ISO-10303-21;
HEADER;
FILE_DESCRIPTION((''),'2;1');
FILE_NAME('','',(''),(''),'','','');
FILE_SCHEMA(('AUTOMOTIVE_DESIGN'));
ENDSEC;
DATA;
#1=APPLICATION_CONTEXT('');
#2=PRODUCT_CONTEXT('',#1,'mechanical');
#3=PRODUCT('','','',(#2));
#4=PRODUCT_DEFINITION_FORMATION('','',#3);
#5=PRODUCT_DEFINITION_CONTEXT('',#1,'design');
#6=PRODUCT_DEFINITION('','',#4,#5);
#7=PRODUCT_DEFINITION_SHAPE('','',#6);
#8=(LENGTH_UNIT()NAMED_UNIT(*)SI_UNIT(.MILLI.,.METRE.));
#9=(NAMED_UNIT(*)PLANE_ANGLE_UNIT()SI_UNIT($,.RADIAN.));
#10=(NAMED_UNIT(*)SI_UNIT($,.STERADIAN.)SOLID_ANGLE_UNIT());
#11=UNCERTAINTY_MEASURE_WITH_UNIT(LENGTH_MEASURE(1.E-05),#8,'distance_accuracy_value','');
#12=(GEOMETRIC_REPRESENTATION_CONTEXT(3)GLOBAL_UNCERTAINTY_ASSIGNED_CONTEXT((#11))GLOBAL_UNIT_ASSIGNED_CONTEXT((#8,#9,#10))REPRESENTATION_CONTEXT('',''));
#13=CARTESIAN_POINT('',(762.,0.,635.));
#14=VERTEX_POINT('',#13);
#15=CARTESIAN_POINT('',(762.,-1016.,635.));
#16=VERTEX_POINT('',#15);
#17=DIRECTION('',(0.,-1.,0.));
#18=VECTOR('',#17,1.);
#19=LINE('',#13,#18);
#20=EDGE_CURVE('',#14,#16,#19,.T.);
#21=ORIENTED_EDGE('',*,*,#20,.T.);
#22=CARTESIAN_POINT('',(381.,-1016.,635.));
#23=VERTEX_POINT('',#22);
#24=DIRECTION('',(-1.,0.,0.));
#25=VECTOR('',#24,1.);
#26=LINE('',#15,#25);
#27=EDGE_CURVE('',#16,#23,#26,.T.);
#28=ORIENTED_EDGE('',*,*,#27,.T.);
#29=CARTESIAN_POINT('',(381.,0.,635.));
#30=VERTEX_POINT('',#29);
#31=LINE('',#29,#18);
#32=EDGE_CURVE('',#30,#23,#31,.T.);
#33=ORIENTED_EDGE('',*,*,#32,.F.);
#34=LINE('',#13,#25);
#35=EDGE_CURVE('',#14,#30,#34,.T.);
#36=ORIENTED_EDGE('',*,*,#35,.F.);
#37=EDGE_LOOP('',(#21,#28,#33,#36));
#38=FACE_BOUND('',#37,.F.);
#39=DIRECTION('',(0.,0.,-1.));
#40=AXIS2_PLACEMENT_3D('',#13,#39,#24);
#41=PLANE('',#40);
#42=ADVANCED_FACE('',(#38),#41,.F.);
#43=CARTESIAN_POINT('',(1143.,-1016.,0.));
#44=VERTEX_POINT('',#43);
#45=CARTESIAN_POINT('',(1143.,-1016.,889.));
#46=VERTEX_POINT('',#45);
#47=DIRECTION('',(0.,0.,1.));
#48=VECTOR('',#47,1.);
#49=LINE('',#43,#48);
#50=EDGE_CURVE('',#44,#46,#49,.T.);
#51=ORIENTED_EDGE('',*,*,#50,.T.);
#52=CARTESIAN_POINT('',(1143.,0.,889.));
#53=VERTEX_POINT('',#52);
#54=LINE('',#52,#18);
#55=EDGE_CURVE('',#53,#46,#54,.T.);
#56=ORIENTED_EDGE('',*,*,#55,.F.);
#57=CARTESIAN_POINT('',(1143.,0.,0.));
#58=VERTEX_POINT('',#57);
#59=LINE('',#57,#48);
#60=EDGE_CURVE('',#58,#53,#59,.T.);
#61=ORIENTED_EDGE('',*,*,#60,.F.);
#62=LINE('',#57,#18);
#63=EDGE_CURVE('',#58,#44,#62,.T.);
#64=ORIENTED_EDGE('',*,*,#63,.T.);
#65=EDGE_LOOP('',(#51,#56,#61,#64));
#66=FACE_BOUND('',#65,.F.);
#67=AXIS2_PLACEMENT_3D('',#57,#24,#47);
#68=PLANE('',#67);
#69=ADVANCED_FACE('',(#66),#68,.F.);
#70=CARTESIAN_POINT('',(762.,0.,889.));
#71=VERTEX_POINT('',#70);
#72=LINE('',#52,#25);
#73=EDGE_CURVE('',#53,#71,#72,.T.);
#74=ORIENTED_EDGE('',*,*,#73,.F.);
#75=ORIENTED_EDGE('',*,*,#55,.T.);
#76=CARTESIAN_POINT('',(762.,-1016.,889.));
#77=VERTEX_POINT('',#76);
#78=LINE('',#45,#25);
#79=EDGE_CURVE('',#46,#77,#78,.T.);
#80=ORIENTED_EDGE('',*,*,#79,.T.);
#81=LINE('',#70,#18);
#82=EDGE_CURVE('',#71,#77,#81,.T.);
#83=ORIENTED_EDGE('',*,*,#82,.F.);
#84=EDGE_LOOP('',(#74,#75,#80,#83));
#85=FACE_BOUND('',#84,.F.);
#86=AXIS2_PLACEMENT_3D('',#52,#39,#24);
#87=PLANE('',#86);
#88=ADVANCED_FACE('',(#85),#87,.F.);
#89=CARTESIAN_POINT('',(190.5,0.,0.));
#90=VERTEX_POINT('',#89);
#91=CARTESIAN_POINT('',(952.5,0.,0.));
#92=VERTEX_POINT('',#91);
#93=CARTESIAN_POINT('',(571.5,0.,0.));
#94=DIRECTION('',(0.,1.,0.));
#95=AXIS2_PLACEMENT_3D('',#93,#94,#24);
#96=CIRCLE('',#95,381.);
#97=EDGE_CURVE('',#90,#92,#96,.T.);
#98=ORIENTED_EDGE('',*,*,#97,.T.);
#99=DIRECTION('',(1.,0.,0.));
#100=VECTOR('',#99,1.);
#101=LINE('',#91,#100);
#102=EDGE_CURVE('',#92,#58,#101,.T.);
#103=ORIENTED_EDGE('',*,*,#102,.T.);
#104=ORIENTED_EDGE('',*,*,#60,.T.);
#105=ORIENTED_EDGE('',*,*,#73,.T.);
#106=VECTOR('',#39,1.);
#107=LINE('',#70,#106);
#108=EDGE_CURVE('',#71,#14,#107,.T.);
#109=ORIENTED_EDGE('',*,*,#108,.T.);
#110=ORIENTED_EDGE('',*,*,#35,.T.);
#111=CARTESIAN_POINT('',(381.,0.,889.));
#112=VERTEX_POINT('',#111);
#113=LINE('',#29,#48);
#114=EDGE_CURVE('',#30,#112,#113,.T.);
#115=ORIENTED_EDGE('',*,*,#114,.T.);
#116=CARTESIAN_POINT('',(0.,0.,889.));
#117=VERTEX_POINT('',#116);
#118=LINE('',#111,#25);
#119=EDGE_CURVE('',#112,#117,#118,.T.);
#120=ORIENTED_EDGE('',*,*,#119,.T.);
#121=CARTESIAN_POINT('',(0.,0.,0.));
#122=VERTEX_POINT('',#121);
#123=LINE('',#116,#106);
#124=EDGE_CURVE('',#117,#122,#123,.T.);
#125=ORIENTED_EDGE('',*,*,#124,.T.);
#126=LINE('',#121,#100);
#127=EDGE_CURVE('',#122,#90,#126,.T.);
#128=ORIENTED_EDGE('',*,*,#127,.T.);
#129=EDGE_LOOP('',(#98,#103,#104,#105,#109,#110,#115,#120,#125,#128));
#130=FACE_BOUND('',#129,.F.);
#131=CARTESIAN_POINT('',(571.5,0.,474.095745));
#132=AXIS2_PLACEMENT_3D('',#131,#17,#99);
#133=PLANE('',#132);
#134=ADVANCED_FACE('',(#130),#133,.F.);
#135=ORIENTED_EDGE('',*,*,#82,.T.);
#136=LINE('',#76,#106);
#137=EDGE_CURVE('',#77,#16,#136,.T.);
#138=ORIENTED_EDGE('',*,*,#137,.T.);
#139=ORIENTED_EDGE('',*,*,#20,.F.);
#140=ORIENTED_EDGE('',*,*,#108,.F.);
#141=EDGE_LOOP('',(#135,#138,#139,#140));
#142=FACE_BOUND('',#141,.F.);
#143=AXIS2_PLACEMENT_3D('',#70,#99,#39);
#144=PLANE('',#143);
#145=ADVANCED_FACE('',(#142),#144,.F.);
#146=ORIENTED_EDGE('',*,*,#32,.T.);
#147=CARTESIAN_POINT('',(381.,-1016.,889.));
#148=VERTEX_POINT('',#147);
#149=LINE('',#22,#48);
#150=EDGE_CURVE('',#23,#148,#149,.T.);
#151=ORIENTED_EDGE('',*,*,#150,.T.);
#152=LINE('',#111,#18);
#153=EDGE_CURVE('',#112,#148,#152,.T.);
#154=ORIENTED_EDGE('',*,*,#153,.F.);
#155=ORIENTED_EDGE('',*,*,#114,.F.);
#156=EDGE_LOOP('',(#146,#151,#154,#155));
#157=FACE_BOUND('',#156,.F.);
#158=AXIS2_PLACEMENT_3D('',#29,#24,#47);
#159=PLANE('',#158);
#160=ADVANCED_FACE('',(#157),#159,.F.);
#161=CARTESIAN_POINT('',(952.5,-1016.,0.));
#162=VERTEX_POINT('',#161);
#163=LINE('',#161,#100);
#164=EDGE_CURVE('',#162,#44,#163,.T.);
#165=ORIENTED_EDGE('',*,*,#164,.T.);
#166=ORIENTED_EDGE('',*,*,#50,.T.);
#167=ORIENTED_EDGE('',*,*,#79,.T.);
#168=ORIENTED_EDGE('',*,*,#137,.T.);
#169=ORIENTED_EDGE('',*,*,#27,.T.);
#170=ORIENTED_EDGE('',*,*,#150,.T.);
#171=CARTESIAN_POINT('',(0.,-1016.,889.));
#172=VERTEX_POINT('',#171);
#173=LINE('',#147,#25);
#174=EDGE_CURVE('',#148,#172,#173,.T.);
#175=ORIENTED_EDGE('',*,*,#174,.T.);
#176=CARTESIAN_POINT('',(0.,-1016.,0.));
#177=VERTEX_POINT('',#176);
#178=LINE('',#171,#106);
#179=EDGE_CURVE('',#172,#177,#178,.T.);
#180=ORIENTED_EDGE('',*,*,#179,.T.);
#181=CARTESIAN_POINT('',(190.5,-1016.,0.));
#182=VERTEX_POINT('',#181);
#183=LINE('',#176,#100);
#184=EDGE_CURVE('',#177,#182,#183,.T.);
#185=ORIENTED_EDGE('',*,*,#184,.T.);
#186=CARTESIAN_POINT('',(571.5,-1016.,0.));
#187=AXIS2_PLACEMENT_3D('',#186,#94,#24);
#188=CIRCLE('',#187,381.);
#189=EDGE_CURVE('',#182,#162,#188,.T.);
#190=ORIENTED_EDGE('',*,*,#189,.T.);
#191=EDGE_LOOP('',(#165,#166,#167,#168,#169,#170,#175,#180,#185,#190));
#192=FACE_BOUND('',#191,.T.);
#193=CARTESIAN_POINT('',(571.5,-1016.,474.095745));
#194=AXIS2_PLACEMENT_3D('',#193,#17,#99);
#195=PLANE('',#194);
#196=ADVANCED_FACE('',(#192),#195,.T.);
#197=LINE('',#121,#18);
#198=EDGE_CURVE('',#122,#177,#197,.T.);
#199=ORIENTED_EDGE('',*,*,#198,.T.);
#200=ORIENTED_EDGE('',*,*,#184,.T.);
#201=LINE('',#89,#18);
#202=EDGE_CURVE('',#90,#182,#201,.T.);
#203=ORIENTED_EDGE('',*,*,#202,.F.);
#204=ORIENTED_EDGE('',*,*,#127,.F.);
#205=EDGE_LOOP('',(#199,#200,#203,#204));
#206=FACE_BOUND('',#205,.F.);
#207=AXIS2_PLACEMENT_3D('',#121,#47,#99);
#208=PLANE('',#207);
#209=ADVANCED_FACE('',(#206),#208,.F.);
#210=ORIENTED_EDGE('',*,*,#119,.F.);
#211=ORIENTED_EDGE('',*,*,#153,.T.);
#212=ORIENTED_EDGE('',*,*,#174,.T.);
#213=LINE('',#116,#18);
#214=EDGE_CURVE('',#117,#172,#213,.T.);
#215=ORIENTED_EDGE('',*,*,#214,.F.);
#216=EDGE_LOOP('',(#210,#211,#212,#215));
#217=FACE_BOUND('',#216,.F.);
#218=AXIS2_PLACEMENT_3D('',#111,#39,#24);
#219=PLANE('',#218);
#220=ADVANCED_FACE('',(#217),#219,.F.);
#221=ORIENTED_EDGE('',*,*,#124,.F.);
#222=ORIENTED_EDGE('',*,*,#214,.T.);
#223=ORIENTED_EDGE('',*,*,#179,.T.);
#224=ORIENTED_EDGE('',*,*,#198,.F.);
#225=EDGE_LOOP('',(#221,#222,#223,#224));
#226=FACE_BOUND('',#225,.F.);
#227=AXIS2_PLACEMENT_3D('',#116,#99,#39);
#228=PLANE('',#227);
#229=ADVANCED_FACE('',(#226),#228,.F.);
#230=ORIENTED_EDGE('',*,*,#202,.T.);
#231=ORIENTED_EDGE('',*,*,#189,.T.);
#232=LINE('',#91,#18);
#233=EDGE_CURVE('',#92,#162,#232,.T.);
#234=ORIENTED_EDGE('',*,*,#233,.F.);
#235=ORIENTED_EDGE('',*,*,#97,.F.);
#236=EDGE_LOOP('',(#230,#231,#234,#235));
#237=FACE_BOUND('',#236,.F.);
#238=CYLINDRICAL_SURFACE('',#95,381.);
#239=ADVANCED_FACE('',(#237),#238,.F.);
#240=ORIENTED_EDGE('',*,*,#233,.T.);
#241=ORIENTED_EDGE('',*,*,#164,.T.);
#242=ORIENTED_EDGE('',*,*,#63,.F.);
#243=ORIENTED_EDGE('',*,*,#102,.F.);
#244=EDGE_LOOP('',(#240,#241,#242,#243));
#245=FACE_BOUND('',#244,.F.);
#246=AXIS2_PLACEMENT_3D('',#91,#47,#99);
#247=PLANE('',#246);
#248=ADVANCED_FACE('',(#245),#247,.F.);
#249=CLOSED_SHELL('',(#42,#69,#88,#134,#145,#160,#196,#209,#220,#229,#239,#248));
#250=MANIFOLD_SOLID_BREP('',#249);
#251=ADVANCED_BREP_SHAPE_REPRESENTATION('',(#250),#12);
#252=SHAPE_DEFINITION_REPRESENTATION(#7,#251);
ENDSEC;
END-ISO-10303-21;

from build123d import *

# Parameters (mm, degrees)
F1_DEPTH = 1016


with BuildPart() as f1:
    # F0 (on Front) → F1 (new body)
    with BuildSketch(Plane.XZ):
        with BuildLine():
            Line((0, 889), (0, 0))
            Line((0, 0), (190.5, 0))
            ThreePointArc((190.5, 0), (571.5, 381), (952.5, 0))
            Line((952.5, 0), (1143, 0))
            Line((1143, 0), (1143, 889))
            Line((1143, 889), (762, 889))
            Line((762, 889), (762, 635))
            Line((762, 635), (381, 635))
            Line((381, 635), (381, 889))
            Line((381, 889), (0, 889))
        make_face()
    extrude(amount=F1_DEPTH)


solid = f1.part
